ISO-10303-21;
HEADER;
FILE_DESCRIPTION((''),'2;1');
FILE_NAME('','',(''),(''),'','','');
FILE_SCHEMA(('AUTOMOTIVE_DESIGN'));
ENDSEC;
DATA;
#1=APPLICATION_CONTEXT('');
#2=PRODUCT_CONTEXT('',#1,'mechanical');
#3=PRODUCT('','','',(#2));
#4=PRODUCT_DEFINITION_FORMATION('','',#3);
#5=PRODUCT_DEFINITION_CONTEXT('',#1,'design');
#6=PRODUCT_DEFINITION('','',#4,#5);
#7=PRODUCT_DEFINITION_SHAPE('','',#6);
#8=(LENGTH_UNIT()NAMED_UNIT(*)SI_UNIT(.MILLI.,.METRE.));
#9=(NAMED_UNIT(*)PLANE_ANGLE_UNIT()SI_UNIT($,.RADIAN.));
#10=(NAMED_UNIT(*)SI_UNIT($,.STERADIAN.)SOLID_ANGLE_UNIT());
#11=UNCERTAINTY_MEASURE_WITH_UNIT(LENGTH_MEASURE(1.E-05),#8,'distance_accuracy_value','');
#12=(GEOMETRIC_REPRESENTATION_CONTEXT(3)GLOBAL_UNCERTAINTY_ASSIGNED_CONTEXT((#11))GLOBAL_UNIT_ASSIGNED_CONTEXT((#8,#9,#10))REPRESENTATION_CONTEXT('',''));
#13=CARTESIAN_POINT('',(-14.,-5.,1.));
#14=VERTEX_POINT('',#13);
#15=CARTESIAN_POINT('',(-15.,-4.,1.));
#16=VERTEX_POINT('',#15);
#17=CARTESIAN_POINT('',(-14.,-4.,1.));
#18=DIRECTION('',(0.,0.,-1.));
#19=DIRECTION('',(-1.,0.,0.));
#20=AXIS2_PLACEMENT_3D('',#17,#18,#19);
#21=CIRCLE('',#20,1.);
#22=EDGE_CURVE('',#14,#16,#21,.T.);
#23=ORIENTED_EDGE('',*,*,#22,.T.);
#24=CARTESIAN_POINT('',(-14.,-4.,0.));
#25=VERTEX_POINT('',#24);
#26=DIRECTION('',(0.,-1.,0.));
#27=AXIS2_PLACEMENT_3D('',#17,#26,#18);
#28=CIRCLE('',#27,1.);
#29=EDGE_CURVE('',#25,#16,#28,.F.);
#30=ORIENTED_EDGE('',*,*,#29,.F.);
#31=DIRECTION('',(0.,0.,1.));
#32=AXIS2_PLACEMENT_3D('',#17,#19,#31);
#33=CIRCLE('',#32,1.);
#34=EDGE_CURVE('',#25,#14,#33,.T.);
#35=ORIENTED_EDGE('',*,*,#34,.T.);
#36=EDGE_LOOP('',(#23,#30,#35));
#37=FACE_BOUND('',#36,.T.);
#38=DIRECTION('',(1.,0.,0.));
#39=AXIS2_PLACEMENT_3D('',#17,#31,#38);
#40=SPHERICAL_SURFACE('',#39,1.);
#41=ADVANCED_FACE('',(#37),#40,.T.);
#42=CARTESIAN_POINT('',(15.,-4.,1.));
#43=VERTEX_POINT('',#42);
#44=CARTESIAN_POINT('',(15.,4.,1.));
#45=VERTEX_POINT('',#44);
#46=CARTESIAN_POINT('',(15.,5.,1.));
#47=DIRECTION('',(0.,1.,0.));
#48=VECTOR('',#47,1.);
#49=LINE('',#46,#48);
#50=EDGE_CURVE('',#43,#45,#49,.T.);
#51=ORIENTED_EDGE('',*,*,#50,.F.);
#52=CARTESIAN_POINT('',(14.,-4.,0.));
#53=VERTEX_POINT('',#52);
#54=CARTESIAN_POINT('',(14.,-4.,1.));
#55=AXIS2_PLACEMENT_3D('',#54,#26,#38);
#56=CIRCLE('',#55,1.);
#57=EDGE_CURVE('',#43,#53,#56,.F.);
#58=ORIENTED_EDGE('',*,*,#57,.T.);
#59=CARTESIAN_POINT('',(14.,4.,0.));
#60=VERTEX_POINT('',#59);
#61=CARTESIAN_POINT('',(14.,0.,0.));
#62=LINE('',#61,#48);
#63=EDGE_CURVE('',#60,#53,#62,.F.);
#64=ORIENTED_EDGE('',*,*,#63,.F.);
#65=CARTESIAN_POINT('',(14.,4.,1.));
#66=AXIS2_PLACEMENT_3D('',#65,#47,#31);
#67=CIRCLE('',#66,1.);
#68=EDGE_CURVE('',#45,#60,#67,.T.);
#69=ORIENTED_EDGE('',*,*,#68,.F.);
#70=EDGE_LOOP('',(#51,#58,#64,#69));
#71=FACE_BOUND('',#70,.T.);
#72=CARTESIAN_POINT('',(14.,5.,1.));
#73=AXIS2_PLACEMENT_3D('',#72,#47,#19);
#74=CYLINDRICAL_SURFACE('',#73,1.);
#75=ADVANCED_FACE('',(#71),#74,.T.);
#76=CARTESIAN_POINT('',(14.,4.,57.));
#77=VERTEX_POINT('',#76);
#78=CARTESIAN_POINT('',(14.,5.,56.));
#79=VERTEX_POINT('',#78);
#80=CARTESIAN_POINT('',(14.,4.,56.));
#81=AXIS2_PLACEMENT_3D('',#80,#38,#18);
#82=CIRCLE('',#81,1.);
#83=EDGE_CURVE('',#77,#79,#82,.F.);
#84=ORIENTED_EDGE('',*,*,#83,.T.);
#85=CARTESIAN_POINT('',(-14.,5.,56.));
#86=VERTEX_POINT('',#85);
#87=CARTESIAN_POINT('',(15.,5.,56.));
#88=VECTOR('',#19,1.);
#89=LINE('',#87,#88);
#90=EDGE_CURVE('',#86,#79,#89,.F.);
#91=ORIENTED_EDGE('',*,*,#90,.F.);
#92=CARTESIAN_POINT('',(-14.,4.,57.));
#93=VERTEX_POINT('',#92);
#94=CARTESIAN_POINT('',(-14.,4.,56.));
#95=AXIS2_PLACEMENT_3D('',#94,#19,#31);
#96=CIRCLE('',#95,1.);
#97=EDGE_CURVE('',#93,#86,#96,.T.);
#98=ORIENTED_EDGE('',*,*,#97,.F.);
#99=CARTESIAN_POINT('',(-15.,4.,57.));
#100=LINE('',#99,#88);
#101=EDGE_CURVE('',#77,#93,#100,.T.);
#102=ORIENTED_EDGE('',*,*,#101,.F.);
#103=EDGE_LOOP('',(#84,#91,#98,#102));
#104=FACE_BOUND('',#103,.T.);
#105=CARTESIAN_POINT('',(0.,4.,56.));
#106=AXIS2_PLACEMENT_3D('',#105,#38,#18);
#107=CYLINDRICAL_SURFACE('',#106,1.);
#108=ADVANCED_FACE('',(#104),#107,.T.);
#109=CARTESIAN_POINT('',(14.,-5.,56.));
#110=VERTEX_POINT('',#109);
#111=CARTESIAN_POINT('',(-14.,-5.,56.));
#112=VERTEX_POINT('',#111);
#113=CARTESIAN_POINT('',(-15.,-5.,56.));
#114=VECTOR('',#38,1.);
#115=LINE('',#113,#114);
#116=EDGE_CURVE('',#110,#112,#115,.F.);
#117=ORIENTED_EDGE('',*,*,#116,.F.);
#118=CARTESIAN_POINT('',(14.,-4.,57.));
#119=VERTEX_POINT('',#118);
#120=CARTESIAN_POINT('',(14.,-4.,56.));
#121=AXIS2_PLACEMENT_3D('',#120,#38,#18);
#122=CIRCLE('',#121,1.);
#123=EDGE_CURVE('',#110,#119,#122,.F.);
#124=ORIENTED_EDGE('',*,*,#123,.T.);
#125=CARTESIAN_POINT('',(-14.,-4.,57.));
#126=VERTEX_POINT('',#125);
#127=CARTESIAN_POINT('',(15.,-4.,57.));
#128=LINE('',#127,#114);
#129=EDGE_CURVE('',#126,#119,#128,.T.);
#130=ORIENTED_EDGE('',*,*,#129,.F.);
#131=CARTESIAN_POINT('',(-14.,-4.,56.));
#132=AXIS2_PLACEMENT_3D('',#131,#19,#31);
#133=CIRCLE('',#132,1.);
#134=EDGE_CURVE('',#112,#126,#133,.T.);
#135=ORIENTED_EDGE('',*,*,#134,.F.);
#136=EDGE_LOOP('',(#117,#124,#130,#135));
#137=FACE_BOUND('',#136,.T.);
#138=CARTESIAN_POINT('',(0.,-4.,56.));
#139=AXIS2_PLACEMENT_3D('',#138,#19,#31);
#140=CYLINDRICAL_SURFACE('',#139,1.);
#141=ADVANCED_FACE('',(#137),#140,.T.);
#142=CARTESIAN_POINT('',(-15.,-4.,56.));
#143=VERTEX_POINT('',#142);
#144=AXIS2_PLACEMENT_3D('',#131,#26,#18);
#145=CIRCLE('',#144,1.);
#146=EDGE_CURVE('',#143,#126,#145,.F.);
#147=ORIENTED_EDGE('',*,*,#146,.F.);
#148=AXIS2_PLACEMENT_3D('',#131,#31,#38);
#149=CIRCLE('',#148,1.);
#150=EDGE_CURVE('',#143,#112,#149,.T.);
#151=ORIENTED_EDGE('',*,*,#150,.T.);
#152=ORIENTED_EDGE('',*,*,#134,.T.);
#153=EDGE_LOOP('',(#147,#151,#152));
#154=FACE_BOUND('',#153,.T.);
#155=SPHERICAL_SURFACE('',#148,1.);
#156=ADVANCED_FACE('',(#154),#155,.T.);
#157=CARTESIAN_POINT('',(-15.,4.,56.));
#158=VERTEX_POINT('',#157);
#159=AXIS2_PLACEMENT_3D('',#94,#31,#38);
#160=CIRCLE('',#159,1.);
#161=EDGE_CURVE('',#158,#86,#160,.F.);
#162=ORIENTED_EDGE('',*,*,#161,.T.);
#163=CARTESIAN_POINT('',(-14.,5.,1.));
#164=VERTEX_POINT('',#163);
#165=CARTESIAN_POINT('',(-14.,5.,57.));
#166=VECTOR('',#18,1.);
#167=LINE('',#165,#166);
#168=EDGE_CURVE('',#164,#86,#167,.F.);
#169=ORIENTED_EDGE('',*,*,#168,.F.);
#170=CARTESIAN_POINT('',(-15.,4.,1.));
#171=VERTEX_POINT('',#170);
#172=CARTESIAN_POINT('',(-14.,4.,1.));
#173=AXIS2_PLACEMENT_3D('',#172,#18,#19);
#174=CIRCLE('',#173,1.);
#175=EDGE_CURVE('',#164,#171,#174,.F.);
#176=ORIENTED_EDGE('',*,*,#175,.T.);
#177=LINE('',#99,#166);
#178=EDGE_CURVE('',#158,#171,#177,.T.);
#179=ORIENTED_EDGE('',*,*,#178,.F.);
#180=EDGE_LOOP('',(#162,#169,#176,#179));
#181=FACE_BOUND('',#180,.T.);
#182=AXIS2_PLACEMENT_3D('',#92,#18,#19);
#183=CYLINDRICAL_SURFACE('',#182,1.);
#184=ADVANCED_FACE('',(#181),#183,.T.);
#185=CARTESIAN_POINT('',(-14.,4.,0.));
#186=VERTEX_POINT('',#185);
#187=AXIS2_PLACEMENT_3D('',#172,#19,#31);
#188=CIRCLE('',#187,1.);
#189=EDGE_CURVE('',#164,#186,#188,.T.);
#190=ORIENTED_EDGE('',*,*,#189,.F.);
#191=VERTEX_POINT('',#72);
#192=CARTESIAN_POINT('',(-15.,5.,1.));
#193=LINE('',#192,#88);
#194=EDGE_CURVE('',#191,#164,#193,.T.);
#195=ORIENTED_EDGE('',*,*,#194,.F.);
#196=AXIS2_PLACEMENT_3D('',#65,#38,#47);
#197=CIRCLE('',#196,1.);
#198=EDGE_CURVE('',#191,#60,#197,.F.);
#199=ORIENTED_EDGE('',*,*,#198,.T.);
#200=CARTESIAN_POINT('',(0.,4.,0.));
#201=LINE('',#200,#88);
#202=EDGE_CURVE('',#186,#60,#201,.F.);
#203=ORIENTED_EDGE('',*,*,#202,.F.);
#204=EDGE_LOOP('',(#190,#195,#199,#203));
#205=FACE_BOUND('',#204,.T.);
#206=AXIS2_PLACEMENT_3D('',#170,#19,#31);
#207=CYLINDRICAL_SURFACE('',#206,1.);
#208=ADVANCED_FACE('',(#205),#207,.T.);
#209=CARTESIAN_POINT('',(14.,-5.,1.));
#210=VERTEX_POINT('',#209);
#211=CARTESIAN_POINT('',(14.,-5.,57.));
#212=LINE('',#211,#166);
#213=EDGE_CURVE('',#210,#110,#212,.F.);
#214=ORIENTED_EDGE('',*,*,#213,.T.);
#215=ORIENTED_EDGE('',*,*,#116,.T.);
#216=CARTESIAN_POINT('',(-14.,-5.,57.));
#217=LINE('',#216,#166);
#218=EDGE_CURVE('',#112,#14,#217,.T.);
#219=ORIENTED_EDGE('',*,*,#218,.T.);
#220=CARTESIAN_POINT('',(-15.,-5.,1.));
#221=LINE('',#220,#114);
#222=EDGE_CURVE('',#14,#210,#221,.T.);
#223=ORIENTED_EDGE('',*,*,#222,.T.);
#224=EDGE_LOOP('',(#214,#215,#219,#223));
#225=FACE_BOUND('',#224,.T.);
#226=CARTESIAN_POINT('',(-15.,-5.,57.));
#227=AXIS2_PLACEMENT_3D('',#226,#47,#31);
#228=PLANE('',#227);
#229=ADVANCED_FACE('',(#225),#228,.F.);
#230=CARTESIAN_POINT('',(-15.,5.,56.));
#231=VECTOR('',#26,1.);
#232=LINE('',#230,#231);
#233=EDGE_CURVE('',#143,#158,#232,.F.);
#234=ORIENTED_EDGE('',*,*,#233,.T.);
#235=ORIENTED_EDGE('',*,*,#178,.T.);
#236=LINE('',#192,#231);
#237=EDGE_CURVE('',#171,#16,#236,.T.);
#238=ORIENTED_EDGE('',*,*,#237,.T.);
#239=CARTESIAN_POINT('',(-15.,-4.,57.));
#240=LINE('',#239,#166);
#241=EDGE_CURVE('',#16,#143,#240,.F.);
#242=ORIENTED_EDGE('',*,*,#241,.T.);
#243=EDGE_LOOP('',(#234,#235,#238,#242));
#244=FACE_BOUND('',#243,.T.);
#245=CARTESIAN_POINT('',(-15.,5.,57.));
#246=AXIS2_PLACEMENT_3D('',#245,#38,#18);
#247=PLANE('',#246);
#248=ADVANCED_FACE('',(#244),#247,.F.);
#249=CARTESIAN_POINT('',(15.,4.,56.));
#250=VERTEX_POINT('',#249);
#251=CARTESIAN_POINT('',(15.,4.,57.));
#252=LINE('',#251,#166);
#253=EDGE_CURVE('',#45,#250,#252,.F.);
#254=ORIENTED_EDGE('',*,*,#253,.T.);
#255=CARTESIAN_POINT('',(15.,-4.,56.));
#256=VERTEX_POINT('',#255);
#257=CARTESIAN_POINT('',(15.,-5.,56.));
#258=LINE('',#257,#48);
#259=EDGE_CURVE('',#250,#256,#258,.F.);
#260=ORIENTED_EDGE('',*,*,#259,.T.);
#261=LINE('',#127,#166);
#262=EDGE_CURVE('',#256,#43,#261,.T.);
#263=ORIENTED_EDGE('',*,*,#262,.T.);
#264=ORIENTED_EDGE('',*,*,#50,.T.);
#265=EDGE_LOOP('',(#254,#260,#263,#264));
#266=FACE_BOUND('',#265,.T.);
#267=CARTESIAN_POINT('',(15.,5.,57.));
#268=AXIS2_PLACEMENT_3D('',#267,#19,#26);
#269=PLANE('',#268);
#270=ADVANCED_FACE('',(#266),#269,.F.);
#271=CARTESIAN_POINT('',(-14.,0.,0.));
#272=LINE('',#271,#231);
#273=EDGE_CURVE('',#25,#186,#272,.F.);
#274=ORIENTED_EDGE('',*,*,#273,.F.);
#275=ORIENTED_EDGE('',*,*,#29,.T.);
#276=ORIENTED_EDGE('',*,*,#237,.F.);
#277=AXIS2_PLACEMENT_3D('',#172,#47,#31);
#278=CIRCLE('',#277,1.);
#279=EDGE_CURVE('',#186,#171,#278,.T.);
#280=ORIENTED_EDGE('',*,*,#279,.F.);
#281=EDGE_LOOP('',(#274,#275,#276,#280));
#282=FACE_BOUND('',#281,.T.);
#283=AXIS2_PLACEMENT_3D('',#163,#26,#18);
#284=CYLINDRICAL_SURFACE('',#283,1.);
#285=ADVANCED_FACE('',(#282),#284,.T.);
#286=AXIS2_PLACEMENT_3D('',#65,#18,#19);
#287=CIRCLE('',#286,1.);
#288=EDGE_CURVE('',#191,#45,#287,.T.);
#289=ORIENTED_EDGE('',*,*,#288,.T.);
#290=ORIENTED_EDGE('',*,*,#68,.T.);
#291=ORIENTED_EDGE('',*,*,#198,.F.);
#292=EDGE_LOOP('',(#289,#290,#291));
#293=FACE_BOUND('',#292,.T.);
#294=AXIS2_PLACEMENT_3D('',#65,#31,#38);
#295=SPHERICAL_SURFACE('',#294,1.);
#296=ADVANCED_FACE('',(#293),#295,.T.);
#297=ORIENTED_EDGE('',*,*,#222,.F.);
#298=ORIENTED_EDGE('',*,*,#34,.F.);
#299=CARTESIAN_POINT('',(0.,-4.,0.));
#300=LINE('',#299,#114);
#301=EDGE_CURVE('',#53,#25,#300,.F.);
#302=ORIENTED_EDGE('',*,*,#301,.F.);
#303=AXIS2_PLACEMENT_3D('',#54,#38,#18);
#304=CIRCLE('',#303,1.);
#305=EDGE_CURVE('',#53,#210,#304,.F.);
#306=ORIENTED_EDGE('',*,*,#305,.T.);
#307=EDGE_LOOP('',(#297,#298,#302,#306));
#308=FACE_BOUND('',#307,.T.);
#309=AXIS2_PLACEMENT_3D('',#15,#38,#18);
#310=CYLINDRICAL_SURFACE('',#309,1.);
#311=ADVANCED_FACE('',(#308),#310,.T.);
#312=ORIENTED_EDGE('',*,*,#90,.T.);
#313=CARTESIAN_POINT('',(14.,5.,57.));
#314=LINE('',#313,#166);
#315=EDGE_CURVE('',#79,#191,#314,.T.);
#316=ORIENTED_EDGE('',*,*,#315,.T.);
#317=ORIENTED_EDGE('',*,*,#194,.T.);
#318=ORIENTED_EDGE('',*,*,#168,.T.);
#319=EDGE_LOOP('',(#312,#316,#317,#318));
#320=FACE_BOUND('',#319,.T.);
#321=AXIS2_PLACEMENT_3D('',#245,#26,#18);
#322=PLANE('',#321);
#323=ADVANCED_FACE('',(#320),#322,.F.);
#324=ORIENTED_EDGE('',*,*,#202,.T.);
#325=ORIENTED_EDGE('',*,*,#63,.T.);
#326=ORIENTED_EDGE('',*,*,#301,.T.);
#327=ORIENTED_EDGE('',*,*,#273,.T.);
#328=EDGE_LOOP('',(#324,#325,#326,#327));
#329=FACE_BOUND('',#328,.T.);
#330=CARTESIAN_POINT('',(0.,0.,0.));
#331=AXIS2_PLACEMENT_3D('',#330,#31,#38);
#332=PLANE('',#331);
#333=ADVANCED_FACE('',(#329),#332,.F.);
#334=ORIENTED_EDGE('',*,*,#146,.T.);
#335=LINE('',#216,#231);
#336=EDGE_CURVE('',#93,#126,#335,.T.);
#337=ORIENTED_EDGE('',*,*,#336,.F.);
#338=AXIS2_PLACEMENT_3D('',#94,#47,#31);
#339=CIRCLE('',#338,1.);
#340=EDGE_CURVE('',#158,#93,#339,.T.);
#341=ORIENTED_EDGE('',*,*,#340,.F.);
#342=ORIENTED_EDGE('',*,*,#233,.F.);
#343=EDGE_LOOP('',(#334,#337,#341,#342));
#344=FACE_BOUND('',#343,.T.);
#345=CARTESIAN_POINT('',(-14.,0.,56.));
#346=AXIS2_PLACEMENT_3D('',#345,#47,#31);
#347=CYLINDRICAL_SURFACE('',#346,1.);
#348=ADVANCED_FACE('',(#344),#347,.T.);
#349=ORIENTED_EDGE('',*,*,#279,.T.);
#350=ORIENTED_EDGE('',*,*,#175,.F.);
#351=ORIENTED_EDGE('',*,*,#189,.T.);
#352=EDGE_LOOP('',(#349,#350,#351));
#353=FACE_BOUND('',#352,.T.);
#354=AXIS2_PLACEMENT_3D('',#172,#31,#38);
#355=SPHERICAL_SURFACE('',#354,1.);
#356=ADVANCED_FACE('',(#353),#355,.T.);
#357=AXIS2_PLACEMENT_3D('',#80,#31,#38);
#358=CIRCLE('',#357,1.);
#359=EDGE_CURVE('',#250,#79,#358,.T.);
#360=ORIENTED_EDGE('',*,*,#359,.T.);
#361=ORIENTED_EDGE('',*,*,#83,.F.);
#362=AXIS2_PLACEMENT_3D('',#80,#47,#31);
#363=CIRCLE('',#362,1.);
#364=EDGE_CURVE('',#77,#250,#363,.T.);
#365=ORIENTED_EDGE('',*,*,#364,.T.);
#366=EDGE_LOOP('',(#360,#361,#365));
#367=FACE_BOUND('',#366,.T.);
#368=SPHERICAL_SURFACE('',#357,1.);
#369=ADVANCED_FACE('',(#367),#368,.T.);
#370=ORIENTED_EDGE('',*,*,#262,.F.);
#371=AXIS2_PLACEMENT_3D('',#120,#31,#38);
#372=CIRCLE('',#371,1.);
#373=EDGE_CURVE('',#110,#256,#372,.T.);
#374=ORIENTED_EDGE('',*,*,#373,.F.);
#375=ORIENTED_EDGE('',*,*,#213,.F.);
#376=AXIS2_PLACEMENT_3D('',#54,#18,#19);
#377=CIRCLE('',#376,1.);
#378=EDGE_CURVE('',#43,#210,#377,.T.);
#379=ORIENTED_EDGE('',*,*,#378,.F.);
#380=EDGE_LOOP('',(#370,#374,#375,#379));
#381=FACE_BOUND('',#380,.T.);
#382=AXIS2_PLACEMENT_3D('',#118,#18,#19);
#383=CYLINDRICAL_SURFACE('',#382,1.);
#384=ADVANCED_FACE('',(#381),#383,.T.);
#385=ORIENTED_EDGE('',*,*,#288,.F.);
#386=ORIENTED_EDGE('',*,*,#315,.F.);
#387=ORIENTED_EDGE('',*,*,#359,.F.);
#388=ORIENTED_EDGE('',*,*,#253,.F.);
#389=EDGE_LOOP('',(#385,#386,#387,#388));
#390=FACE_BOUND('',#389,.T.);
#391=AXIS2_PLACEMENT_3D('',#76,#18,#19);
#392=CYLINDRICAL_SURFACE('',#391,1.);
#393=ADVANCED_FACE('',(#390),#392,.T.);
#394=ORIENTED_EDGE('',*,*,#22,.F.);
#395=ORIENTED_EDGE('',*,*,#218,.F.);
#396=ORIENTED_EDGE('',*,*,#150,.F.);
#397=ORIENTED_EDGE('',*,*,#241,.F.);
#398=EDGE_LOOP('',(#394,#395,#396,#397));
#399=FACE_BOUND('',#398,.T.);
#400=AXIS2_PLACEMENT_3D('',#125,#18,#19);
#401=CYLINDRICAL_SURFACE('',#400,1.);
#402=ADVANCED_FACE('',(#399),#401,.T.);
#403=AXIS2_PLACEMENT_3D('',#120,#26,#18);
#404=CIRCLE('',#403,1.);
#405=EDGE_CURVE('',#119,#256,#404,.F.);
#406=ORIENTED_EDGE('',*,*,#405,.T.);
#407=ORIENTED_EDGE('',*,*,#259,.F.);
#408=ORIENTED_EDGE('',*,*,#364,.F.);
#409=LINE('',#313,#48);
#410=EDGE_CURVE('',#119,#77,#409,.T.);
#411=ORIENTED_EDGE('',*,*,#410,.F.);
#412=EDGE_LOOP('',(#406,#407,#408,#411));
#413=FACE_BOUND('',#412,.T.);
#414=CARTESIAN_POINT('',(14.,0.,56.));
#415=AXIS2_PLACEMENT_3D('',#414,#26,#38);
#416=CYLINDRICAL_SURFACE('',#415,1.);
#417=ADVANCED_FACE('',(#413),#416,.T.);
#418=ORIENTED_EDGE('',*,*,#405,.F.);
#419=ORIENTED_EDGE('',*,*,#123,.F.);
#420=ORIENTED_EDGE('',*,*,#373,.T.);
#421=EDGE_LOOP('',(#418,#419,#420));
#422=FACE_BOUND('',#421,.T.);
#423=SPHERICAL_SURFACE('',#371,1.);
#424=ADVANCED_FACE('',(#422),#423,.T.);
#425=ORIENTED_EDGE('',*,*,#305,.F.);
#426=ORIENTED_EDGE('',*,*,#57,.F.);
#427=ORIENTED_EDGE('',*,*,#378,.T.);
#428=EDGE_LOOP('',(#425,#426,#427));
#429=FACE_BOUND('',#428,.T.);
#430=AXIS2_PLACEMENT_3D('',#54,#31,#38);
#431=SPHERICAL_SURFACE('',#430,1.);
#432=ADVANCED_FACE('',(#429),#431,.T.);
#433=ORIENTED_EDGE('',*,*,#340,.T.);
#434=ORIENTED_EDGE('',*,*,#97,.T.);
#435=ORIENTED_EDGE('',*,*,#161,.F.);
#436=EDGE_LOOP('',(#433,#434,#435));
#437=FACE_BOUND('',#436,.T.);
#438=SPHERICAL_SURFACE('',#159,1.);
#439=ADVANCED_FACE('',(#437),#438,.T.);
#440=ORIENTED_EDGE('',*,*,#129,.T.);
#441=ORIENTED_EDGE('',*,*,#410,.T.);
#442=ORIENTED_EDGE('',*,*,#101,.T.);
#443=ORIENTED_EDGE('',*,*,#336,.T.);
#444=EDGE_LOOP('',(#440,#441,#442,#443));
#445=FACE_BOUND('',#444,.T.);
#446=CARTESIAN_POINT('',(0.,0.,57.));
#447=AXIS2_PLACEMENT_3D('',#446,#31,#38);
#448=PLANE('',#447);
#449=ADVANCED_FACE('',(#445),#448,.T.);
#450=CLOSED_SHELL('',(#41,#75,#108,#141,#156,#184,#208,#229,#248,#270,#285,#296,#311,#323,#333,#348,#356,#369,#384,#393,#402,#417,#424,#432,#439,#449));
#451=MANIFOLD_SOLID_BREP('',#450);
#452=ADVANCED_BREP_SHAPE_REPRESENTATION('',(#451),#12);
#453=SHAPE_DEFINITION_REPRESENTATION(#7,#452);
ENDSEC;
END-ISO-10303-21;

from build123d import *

# Parameters (mm, degrees)
SKETCH1_W           = 30
SKETCH1_H           = 10
BOSS_EXTRUDE1_DEPTH = 57
FILLET1_R           = 1


with BuildPart() as part:
    # Sketch1 → Boss-Extrude1 (new body)
    with BuildSketch(Plane.XY):
        Rectangle(SKETCH1_W, SKETCH1_H)
    extrude(amount=BOSS_EXTRUDE1_DEPTH)

    # Fillet1
    fillet1_edges = [part.edges().sort_by_distance(p)[0] for p in [
        (-15, 0, 57),
        (0, -5, 57),
        (15, 0, 57),
        (0, -5, 0),
        (-15, 0, 0),
        (0, 5, 0),
        (15, 0, 0),
        (0, 5, 57),
        (15, -5, 28.5),
        (-15, -5, 28.5),
        (-15, 5, 28.5),
        (15, 5, 28.5),
    ]]
    fillet(fillet1_edges, radius=FILLET1_R)


solid = part.part
